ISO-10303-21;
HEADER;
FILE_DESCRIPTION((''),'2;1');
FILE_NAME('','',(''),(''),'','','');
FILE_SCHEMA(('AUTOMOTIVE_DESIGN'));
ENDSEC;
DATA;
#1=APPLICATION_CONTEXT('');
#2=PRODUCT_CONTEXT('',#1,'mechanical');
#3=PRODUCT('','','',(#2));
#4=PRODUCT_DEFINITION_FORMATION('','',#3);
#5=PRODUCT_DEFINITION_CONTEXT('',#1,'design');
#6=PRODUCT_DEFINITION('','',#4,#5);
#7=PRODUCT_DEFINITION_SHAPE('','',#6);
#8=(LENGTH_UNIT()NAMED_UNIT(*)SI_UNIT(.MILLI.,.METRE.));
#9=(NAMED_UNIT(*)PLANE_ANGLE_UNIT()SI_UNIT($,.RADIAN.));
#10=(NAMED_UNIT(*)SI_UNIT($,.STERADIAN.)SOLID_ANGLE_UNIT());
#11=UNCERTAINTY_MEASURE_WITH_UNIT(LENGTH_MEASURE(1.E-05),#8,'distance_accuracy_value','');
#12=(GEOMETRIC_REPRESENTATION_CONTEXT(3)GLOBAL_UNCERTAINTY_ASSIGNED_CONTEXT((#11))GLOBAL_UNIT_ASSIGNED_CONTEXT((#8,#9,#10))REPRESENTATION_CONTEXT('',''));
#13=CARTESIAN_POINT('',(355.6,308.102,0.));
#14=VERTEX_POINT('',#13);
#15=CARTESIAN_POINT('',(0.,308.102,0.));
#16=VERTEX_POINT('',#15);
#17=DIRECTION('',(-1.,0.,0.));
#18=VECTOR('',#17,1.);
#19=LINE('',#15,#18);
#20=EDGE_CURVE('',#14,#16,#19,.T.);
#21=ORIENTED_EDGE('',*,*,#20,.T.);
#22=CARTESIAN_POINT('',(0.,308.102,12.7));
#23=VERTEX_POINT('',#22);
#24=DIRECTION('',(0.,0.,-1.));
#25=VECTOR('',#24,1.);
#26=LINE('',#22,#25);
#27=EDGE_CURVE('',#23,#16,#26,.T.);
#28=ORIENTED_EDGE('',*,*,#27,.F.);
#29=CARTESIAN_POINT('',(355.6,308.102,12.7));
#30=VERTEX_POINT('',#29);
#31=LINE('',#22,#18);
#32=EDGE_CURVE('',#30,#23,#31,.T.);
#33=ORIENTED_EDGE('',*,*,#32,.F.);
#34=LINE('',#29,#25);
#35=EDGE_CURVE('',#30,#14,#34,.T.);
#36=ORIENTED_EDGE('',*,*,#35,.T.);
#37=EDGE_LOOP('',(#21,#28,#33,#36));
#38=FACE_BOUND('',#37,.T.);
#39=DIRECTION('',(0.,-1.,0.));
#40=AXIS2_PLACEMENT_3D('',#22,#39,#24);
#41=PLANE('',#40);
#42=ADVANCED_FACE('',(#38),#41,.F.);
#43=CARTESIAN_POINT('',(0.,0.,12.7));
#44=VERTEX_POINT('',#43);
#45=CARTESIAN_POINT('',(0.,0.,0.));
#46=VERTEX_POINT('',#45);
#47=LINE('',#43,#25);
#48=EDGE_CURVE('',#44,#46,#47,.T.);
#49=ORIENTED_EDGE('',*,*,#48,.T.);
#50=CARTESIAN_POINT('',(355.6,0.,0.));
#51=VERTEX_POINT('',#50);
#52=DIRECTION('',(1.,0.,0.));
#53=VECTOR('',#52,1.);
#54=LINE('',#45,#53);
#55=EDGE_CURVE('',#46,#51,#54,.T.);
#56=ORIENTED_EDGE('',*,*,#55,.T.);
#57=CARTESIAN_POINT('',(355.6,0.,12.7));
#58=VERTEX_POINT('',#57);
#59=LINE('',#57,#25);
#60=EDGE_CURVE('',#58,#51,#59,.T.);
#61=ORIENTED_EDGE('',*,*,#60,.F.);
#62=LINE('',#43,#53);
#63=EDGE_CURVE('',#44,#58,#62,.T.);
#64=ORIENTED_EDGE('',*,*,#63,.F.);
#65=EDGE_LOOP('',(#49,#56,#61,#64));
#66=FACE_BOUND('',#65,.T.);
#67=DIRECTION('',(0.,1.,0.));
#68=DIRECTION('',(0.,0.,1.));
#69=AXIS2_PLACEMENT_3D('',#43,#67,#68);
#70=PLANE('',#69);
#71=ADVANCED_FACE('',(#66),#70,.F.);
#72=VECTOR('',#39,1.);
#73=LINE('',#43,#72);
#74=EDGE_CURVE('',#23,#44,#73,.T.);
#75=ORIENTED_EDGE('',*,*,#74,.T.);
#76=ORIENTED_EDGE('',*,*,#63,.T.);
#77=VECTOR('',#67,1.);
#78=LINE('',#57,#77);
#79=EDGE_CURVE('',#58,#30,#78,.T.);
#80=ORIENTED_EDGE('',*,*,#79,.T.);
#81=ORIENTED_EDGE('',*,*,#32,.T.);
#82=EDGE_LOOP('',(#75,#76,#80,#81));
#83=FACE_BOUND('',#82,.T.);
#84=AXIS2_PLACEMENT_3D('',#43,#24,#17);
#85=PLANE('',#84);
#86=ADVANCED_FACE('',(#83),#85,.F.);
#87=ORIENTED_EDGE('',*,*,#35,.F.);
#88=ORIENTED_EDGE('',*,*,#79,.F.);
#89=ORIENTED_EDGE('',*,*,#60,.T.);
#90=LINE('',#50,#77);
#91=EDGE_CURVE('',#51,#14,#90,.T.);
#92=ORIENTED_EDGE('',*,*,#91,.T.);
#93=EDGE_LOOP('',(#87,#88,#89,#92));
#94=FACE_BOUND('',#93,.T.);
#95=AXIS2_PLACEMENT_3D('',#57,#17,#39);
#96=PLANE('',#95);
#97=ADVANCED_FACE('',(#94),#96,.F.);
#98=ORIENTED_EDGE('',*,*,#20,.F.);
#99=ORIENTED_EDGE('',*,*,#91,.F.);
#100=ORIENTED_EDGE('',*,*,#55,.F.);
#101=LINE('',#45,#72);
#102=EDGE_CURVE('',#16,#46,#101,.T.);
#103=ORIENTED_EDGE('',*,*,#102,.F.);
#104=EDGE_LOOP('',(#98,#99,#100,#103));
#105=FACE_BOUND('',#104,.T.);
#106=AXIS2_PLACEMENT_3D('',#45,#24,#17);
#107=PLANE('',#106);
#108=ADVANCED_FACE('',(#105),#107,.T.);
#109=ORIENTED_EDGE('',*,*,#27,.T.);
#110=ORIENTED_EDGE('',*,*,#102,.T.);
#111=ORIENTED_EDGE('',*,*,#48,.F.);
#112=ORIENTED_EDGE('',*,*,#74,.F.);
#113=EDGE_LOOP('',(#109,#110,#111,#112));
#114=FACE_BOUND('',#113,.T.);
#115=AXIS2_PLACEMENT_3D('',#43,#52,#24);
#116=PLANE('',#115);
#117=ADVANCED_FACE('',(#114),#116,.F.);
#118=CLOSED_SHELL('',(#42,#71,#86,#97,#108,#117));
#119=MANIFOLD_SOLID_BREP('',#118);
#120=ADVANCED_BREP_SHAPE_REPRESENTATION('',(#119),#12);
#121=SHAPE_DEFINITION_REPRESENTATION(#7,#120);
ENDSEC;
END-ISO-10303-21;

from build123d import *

# Parameters (mm, degrees)
SKETCH1_W           = 355.6
SKETCH1_H           = 308.102
BOSS_EXTRUDE1_DEPTH = 12.7


with BuildPart() as part:
    # Sketch1 → Boss-Extrude1 (new body)
    with BuildSketch(Plane.XY):
        with Locations((177.8, 154.051)):
            Rectangle(SKETCH1_W, SKETCH1_H)
    extrude(amount=BOSS_EXTRUDE1_DEPTH)


solid = part.part
